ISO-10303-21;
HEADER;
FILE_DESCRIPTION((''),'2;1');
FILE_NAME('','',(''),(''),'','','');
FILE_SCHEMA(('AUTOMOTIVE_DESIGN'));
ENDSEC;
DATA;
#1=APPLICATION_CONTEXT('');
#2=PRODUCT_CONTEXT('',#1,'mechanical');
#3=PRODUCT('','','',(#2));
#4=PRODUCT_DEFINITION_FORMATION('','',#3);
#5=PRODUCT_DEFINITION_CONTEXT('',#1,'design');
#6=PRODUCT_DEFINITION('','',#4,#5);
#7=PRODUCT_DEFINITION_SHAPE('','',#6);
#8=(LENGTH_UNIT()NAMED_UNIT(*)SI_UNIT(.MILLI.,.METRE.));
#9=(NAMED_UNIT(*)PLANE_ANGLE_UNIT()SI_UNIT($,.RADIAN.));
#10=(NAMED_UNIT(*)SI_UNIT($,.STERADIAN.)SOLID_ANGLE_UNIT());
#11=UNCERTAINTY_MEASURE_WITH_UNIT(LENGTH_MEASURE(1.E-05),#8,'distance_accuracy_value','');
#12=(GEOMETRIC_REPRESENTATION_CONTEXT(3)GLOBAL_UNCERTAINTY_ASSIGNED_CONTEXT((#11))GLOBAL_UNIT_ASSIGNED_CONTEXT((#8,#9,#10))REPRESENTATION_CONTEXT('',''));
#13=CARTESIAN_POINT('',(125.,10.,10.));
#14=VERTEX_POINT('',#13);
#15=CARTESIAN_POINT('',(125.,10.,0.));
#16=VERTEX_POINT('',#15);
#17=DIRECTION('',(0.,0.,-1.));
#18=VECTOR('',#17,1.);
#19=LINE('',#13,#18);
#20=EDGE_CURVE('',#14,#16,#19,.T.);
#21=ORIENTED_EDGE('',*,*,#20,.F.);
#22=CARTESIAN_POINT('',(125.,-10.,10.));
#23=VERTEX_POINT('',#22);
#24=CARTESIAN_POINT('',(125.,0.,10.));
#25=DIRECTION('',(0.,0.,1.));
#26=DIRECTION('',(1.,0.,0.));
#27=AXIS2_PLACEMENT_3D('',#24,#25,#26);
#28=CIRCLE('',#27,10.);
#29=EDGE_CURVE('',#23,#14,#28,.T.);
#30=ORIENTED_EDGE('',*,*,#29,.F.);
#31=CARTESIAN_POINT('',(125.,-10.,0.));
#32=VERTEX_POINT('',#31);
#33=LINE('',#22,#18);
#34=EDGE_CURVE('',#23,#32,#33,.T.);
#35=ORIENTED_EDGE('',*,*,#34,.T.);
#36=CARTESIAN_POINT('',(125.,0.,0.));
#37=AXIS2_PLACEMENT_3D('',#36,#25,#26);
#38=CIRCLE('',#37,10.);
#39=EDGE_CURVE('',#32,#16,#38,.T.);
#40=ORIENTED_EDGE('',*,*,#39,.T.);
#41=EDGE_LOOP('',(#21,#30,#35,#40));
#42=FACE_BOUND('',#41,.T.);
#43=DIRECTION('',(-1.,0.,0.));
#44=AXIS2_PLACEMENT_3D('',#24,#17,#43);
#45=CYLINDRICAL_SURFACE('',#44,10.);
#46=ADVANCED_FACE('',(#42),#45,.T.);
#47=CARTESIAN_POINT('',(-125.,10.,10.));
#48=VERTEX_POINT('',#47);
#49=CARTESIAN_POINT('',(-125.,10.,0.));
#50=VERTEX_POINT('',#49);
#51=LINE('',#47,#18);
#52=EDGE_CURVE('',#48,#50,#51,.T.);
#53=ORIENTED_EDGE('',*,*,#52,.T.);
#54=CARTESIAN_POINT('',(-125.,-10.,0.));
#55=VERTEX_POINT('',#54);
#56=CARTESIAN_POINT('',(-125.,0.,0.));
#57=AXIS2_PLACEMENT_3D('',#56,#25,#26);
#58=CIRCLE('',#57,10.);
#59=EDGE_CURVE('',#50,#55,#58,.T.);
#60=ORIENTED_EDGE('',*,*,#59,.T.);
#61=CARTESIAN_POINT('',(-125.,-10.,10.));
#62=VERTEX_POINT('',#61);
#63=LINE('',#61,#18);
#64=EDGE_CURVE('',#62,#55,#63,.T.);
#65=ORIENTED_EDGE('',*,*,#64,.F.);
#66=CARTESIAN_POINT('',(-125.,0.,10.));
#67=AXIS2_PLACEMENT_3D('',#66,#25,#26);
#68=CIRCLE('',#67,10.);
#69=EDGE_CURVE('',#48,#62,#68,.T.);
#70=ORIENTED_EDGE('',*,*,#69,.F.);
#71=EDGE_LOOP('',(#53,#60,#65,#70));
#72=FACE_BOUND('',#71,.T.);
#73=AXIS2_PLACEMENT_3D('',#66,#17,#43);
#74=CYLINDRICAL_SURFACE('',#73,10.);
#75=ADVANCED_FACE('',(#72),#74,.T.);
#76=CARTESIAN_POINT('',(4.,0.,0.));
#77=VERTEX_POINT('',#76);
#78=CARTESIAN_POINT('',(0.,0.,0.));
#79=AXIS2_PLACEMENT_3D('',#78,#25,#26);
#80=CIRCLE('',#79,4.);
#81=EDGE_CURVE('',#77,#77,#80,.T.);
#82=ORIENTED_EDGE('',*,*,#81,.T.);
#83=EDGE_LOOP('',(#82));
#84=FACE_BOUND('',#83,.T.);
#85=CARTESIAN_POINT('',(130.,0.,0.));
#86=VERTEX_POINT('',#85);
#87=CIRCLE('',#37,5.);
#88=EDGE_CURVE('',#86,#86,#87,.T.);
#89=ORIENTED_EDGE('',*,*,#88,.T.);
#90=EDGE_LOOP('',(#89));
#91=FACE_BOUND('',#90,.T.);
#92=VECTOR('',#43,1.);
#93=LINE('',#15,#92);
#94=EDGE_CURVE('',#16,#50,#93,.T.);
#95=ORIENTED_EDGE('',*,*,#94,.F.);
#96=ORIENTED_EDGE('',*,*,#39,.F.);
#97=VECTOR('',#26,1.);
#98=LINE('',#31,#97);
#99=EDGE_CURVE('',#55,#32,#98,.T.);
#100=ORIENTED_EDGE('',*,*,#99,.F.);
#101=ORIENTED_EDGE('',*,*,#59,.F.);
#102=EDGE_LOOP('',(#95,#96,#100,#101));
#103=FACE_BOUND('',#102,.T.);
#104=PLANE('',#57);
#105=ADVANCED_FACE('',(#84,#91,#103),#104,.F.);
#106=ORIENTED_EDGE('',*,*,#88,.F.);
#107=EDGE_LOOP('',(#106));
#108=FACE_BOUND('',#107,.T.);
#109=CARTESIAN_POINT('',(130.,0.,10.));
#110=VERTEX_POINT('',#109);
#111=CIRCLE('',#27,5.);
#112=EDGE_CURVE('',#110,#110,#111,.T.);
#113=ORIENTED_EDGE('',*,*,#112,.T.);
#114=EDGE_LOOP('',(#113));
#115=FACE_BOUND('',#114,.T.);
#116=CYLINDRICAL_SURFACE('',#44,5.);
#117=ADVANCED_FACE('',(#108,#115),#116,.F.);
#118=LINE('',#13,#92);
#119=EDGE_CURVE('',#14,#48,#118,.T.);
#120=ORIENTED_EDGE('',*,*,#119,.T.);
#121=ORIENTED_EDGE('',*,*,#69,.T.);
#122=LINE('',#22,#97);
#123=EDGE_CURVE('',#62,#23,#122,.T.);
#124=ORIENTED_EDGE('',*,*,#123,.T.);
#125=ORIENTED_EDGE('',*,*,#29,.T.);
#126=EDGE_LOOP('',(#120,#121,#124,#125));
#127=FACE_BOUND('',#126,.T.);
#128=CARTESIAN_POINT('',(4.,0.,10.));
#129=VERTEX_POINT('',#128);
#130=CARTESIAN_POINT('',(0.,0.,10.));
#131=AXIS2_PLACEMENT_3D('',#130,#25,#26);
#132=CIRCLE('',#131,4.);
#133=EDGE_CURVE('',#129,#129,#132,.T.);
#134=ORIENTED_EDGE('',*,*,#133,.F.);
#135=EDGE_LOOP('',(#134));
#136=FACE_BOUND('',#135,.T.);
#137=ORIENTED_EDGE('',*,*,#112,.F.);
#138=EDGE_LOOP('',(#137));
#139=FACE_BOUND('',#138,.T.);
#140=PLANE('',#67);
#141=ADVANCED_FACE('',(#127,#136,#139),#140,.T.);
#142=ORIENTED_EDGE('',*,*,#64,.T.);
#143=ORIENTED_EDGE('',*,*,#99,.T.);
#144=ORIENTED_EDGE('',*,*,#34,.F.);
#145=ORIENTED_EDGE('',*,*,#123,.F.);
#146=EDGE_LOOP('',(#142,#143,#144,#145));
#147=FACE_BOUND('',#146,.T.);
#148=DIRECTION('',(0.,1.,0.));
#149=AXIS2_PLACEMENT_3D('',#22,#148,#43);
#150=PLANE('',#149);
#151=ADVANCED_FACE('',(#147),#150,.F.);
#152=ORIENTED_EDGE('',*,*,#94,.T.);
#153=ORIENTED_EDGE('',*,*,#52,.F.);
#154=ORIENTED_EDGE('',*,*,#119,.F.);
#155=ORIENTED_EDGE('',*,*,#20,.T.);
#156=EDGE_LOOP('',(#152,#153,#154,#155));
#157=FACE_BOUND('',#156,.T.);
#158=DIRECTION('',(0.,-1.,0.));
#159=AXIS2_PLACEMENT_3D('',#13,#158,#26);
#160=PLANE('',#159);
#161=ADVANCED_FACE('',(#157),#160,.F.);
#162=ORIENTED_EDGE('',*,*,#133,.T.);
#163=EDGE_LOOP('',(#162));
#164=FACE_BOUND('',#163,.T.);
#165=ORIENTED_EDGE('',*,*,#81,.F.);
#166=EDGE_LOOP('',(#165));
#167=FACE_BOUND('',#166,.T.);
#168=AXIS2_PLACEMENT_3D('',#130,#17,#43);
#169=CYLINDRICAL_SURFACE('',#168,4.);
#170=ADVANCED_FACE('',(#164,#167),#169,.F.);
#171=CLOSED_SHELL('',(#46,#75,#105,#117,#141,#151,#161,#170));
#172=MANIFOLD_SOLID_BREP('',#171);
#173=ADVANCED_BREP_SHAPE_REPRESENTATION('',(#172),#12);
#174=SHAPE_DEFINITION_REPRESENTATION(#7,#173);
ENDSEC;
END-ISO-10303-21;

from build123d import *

# Parameters (mm, degrees)
SKETCH1_R           = 4
SKETCH1_R_2         = 5
BOSS_EXTRUDE1_DEPTH = 10


with BuildPart() as part:
    # Sketch1 → Boss-Extrude1 (new body)
    with BuildSketch(Plane.XY):
        with BuildLine():
            Line((125, -10), (-125, -10))
            ThreePointArc((-125, -10), (-135, 0), (-125, 10))
            Line((-125, 10), (125, 10))
            ThreePointArc((125, 10), (135, 0), (125, -10))
        make_face()
        Circle(SKETCH1_R, mode=Mode.SUBTRACT)
        with Locations((125, 0)):
            Circle(SKETCH1_R_2, mode=Mode.SUBTRACT)
    extrude(amount=BOSS_EXTRUDE1_DEPTH)


solid = part.part
